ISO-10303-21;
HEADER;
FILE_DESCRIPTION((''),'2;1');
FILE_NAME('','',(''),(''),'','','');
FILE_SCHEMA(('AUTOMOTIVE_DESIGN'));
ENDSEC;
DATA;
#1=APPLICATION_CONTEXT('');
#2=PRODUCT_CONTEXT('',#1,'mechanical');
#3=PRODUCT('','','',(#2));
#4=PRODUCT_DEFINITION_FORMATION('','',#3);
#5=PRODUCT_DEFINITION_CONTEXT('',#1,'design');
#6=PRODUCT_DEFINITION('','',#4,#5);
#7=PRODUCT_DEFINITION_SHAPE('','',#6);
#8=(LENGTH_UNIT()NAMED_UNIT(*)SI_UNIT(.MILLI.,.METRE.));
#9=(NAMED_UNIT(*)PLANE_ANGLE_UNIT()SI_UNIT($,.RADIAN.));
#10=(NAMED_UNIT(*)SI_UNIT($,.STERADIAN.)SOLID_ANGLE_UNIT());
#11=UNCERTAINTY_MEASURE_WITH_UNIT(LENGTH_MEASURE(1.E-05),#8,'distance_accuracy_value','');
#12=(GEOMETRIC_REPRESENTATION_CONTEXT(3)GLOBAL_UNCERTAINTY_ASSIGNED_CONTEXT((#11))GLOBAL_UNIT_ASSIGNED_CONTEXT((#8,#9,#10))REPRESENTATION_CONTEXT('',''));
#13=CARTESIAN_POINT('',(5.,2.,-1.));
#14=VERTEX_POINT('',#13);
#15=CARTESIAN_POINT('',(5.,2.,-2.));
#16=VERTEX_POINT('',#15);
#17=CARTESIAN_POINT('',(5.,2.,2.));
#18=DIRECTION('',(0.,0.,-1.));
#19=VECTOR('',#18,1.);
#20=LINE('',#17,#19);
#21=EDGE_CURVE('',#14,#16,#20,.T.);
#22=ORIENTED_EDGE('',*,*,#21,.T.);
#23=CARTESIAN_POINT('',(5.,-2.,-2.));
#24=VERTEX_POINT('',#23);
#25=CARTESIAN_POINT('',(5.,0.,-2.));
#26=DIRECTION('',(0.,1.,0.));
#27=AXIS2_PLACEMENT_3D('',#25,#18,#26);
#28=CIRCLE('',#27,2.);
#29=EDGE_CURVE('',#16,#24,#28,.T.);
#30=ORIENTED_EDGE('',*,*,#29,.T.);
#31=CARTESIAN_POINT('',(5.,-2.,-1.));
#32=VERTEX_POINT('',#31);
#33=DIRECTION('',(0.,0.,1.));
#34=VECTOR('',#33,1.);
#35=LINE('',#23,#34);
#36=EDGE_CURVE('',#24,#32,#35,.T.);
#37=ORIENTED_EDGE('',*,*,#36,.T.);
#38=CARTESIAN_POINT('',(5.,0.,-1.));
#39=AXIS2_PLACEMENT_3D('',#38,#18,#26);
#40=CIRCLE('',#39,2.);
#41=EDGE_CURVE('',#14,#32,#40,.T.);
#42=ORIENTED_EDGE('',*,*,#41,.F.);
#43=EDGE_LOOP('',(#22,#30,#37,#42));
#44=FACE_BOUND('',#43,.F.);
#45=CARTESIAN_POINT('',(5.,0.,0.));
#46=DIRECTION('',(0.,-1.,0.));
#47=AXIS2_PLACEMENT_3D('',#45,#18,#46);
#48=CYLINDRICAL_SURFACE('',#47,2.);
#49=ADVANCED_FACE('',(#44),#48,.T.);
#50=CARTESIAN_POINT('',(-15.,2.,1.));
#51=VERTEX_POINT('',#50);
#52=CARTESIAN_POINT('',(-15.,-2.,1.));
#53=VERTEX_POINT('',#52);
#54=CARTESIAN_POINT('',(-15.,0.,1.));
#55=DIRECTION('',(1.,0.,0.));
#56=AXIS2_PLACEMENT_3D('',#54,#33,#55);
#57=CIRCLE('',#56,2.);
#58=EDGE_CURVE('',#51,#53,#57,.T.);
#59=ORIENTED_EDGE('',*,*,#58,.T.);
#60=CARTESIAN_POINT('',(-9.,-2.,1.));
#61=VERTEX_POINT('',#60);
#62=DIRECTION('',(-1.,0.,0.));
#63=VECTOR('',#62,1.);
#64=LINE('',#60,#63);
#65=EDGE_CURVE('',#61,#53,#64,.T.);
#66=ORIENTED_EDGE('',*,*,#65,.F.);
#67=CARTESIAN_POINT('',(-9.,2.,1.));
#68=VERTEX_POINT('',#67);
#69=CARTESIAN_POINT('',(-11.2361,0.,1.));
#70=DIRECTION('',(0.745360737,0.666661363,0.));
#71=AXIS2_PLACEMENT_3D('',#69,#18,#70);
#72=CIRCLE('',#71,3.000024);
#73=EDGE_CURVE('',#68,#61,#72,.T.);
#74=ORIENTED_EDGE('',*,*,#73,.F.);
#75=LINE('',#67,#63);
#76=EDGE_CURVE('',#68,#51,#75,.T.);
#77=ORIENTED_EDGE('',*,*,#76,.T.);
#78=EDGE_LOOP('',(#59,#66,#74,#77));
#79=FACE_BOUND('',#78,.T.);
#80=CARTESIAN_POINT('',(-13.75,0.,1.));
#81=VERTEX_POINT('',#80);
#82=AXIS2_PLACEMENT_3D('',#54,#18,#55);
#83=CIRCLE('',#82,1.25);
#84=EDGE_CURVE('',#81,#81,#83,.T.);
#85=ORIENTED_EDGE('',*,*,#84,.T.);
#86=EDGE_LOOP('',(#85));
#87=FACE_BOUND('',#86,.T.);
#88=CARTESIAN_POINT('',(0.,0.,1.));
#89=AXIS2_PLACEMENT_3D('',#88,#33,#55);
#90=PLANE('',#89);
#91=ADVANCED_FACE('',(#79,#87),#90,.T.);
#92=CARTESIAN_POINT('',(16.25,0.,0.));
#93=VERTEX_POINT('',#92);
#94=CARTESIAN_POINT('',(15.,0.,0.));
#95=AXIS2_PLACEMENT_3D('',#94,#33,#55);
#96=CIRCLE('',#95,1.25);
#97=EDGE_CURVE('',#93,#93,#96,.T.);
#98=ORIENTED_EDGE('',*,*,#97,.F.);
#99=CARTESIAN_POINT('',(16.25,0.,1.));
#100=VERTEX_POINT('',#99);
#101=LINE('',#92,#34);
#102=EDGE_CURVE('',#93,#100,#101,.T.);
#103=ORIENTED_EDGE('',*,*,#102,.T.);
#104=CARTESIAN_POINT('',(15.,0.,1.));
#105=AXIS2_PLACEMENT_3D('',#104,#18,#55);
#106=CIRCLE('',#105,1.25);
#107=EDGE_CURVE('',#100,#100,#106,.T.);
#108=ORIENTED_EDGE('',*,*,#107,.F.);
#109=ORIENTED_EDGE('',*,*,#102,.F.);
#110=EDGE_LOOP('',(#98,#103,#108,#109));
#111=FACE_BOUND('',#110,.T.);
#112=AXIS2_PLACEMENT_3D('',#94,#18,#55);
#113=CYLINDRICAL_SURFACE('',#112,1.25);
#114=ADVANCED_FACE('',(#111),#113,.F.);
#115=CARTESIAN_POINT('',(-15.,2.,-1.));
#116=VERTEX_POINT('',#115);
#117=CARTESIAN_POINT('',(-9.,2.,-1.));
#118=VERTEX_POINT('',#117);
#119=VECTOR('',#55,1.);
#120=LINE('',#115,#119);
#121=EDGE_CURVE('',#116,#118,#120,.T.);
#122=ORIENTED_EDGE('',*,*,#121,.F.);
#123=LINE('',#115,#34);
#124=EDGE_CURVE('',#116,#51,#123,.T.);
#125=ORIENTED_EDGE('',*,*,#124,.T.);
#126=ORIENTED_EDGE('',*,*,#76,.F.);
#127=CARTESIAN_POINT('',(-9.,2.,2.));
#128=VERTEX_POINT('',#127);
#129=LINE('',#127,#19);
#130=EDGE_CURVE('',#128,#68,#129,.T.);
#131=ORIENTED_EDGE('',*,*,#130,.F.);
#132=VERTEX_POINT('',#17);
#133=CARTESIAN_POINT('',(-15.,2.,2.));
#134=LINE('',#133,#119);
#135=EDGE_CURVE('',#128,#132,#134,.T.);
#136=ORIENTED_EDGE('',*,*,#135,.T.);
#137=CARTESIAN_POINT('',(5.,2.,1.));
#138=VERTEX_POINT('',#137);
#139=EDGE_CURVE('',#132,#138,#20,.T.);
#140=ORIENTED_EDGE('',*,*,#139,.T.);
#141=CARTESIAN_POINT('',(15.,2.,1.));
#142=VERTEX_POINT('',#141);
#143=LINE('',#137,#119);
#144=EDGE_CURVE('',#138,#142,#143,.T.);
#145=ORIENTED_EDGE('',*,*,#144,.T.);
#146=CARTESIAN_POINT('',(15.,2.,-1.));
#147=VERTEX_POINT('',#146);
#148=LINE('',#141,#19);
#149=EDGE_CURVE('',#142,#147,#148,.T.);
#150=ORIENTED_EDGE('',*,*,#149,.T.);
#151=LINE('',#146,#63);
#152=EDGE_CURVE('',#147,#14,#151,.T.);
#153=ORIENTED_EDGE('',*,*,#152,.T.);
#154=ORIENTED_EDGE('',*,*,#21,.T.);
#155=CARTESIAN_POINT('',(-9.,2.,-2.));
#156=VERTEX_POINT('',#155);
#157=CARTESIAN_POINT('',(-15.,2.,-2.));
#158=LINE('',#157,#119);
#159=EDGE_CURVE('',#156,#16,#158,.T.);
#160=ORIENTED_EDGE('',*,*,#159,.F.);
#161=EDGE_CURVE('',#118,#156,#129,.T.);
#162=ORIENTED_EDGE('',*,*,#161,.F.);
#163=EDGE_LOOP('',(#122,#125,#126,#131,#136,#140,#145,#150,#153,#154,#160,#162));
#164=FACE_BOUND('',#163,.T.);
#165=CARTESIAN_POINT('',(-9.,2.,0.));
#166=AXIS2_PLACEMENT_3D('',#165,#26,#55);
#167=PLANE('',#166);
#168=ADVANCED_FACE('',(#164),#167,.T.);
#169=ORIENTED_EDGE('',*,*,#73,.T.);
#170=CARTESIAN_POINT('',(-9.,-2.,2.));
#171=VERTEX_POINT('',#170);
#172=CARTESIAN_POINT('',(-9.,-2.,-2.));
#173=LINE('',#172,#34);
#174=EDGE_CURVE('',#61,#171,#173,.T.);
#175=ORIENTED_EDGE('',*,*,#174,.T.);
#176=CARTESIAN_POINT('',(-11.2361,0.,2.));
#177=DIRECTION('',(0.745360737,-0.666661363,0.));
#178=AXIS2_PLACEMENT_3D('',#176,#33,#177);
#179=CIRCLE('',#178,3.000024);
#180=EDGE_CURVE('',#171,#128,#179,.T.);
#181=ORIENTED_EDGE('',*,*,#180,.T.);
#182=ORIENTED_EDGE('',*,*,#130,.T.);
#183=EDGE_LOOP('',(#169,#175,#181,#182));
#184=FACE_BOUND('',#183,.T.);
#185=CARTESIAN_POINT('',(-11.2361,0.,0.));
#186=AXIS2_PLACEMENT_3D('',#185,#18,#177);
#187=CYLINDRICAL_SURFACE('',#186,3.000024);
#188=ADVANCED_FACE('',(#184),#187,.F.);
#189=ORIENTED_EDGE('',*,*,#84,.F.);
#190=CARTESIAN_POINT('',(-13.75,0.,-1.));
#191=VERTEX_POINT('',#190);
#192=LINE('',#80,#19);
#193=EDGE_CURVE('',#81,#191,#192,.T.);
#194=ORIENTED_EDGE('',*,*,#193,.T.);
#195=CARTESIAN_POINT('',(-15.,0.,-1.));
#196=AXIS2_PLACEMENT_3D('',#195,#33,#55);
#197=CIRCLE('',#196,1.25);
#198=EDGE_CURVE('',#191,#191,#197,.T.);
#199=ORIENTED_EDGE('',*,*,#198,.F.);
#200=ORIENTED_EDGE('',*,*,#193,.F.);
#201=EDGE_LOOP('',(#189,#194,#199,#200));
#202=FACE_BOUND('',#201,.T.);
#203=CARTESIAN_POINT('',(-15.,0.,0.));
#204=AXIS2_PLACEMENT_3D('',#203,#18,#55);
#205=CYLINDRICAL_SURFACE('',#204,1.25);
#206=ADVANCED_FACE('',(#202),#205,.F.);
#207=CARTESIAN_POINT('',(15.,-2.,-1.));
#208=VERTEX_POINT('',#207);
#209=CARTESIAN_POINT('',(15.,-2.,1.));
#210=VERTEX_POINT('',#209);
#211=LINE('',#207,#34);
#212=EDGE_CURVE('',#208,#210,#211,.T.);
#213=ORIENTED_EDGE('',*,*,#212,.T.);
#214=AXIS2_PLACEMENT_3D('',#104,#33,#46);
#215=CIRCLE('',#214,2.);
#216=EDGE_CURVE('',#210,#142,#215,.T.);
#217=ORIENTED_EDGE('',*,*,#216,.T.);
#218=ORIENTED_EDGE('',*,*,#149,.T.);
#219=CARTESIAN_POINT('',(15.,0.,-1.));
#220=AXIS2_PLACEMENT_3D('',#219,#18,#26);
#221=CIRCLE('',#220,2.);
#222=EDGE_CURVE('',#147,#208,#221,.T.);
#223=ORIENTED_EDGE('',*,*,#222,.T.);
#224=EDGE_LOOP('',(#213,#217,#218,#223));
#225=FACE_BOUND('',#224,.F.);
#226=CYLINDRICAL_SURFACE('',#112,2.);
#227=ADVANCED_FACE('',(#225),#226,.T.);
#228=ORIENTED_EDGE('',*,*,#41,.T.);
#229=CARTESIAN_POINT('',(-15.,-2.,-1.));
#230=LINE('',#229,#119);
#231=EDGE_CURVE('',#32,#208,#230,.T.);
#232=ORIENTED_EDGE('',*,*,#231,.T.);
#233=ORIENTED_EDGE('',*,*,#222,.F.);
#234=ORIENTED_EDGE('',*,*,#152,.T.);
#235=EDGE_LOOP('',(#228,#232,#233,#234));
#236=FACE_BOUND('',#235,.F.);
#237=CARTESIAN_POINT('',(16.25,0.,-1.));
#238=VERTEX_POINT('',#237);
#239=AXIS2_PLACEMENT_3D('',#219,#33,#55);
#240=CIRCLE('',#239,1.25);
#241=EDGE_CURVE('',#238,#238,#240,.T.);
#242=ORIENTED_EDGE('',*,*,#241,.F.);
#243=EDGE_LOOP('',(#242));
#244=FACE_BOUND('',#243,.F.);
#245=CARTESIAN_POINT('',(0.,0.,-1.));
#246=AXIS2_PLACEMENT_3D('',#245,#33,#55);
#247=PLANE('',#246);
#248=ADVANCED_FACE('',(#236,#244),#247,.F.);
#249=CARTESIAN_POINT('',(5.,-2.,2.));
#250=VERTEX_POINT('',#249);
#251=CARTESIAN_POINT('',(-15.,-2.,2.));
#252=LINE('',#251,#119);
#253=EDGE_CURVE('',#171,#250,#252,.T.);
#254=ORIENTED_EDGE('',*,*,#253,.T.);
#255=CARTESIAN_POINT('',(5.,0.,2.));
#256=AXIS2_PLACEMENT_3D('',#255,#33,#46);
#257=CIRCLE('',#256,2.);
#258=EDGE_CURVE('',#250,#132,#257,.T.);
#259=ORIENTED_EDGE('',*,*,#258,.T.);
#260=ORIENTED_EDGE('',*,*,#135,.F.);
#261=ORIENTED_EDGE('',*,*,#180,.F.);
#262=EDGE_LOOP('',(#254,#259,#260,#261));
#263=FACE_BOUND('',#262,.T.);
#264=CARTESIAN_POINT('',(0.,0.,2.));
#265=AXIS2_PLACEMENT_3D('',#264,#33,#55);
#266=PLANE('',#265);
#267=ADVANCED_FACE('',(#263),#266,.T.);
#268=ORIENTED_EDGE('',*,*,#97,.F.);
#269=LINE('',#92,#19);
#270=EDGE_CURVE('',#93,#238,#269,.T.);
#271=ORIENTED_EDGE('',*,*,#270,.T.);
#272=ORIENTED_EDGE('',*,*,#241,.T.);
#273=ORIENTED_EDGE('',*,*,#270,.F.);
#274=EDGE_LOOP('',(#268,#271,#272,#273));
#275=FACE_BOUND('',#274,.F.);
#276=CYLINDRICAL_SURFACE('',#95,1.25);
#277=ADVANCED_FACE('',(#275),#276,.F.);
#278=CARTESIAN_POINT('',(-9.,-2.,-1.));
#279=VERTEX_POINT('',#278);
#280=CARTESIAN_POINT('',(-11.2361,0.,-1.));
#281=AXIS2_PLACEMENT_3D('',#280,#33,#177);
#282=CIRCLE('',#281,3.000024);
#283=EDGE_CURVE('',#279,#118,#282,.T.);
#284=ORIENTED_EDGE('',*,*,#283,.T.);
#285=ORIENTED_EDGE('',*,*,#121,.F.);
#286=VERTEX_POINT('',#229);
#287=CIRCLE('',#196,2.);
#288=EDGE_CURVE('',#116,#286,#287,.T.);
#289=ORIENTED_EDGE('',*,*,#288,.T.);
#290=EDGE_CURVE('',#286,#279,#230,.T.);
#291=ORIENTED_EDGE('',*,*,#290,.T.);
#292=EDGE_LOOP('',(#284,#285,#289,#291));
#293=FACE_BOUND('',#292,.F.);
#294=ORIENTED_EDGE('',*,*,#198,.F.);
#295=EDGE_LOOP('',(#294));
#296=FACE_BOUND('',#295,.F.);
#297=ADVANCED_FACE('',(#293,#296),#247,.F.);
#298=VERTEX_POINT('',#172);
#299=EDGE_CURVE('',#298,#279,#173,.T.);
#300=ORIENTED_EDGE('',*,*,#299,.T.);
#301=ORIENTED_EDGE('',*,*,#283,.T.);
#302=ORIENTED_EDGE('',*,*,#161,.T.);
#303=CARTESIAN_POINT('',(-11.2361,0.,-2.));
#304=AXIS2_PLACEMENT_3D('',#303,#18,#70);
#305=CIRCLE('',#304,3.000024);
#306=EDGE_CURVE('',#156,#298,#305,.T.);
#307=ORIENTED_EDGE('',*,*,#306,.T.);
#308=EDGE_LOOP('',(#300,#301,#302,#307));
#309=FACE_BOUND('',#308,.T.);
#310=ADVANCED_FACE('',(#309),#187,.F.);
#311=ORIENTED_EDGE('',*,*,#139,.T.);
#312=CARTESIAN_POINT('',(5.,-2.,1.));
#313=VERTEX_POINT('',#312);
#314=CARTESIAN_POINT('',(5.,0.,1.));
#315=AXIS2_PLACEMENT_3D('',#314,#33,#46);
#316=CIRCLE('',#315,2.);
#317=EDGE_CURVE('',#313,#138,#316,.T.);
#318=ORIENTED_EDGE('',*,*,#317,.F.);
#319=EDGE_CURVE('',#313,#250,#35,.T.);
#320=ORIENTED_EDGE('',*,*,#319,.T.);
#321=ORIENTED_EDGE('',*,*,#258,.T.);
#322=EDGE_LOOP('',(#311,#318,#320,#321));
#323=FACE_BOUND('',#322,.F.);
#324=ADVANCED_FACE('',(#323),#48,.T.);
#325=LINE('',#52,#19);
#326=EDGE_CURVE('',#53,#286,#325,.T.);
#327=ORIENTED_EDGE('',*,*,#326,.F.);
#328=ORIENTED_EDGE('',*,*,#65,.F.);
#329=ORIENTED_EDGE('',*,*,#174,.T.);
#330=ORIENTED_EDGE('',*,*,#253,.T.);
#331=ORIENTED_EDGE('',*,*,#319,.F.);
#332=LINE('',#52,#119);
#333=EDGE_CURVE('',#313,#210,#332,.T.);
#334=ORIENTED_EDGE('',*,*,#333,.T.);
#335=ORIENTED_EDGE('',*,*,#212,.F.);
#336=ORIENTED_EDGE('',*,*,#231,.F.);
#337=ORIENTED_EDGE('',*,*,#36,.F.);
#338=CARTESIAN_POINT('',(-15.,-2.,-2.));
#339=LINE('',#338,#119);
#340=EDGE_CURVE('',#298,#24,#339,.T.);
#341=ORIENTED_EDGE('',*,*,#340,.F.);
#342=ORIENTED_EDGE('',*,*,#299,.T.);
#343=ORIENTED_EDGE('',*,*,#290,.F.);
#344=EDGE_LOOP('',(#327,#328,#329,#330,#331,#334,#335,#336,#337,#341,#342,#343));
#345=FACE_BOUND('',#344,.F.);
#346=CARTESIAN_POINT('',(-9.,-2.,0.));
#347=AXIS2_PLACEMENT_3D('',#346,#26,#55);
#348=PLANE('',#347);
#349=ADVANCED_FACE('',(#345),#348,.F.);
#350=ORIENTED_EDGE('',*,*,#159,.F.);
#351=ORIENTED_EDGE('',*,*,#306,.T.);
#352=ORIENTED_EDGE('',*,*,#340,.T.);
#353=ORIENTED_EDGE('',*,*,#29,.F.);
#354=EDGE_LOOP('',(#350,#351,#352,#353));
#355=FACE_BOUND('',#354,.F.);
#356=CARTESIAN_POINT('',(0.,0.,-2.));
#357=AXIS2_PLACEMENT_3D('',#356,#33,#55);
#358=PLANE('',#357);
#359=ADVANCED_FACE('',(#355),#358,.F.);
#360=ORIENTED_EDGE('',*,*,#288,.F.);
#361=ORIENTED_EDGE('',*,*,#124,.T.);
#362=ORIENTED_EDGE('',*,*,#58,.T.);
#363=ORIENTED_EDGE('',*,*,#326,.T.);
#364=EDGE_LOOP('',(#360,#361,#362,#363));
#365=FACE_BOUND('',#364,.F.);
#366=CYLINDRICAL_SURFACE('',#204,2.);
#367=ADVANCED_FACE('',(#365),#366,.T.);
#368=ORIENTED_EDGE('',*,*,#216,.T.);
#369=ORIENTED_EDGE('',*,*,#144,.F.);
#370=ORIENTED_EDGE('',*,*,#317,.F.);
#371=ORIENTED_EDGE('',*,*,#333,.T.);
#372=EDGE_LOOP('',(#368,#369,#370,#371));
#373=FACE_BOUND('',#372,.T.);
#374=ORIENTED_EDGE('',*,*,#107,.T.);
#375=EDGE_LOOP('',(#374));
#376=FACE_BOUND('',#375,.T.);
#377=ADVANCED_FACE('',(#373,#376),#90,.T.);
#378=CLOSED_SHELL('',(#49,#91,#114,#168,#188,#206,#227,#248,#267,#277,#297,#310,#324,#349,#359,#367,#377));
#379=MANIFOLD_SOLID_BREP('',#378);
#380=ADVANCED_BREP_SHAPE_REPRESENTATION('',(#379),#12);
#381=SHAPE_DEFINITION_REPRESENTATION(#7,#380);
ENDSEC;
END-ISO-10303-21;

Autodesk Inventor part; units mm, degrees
ref_plane "YZ Plane" through (0, 0, 0) normal (1, 0, 0) x (0, 1, 0)
ref_plane "XZ Plane" through (0, 0, 0) normal (0, 1, 0) x (-1, 0, 0)
ref_plane "XY Plane" through (0, 0, 0) normal (0, 0, 1) x (1, 0, 0)
sketch "Sketch1" plane through (0, 0, 0) normal (0, 0, 1) x (1, 0, 0)
  line L0 (0, 0) -> (15, 0)
  line L1 (0, 0) -> (-15, 0)
  line L2 (0, 0) -> (5, 0)
  circle A0 centre (-15, 0) radius 1.25
  circle A1 centre (15, 0) radius 1.25
  circle A2 centre (-15, 0) radius 2
  circle A3 centre (15, 0) radius 2
  line L3 (-15, 2) -> (15, 2)
  line L4 (-15, -2) -> (15, -2)
  line L5 (-15, 2) -> (-9, 2)
  line L6 (-9, 2) -> (-9, -2)
  line L7 (-9, -2) -> (-15, -2)
  line L8 (-15, -2) -> (-15, 2)
  line L9 (15, 2) -> (12.5, 2)
  line L10 (15, -2) -> (15, 2)
  arc A4 (-9, -2) -> (-9, 2) centre (-11.2361, 0) ccw
  line L11 (5, 0) -> (1, 0)
  line L12 (5, 2) -> (5, 2)
  line L13 (5, 0) -> (9, 0)
  line L14 (-15, 2) -> (-14.5, 2)
  line L15 (-15, -2) -> (-14.5, -2)
  arc A5 (-14.5, -2) -> (-14.5, 2) centre (-14.5, 0) ccw
  line L16 (15, 0) -> (7, 0)
  line L17 (15, 2) -> (5, 2)
  line L18 (15, -2) -> (5, -2)
  arc A6 (5, -2) -> (5, 2) centre (5, 0) ccw
  point P0 (-9, 2)
  dimension "d1" = 15
  dimension "d2" = 15
  dimension "d4" = 2.5
  dimension "d6" = 2.5
  dimension "d7" = 4
  dimension "d8" = 4
  dimension "d10" = 6
  dimension "d16" = 4
  dimension "d17" = 3
  dimension "d24" = 0.5
  dimension "d25" = 0.5
  dimension "d26" = 2
  dimension "d37" = 8
  dimension "d44" = 10
  dimension "d45" = 10
extrude "Extrusion6" add sketch "Sketch1" along normal mid plane 2 contours A4 L6 L1 | L1 L6 A4 | L6 L4 A5 L1 | L1 A5 L3 L6 | A6 L3 A3 L0 | L0 A3 L4 A6 | A5 L4 A2 L1 | L1 A2 L3 A5 | A2 L8 A0 L1 | L1 A0 L8 A2 | A2 L8 A0 | L10 A1 A3 | A3 L0 A1 L10 | A3 L10 A1 L0
extrude "Extrusion7" add sketch "Sketch1" along normal mid plane 4 contours L1 A4 L3 A6 L0 | L0 A6 L4 A4 L1
properties part number "link7" material "Aluminum 6061"
